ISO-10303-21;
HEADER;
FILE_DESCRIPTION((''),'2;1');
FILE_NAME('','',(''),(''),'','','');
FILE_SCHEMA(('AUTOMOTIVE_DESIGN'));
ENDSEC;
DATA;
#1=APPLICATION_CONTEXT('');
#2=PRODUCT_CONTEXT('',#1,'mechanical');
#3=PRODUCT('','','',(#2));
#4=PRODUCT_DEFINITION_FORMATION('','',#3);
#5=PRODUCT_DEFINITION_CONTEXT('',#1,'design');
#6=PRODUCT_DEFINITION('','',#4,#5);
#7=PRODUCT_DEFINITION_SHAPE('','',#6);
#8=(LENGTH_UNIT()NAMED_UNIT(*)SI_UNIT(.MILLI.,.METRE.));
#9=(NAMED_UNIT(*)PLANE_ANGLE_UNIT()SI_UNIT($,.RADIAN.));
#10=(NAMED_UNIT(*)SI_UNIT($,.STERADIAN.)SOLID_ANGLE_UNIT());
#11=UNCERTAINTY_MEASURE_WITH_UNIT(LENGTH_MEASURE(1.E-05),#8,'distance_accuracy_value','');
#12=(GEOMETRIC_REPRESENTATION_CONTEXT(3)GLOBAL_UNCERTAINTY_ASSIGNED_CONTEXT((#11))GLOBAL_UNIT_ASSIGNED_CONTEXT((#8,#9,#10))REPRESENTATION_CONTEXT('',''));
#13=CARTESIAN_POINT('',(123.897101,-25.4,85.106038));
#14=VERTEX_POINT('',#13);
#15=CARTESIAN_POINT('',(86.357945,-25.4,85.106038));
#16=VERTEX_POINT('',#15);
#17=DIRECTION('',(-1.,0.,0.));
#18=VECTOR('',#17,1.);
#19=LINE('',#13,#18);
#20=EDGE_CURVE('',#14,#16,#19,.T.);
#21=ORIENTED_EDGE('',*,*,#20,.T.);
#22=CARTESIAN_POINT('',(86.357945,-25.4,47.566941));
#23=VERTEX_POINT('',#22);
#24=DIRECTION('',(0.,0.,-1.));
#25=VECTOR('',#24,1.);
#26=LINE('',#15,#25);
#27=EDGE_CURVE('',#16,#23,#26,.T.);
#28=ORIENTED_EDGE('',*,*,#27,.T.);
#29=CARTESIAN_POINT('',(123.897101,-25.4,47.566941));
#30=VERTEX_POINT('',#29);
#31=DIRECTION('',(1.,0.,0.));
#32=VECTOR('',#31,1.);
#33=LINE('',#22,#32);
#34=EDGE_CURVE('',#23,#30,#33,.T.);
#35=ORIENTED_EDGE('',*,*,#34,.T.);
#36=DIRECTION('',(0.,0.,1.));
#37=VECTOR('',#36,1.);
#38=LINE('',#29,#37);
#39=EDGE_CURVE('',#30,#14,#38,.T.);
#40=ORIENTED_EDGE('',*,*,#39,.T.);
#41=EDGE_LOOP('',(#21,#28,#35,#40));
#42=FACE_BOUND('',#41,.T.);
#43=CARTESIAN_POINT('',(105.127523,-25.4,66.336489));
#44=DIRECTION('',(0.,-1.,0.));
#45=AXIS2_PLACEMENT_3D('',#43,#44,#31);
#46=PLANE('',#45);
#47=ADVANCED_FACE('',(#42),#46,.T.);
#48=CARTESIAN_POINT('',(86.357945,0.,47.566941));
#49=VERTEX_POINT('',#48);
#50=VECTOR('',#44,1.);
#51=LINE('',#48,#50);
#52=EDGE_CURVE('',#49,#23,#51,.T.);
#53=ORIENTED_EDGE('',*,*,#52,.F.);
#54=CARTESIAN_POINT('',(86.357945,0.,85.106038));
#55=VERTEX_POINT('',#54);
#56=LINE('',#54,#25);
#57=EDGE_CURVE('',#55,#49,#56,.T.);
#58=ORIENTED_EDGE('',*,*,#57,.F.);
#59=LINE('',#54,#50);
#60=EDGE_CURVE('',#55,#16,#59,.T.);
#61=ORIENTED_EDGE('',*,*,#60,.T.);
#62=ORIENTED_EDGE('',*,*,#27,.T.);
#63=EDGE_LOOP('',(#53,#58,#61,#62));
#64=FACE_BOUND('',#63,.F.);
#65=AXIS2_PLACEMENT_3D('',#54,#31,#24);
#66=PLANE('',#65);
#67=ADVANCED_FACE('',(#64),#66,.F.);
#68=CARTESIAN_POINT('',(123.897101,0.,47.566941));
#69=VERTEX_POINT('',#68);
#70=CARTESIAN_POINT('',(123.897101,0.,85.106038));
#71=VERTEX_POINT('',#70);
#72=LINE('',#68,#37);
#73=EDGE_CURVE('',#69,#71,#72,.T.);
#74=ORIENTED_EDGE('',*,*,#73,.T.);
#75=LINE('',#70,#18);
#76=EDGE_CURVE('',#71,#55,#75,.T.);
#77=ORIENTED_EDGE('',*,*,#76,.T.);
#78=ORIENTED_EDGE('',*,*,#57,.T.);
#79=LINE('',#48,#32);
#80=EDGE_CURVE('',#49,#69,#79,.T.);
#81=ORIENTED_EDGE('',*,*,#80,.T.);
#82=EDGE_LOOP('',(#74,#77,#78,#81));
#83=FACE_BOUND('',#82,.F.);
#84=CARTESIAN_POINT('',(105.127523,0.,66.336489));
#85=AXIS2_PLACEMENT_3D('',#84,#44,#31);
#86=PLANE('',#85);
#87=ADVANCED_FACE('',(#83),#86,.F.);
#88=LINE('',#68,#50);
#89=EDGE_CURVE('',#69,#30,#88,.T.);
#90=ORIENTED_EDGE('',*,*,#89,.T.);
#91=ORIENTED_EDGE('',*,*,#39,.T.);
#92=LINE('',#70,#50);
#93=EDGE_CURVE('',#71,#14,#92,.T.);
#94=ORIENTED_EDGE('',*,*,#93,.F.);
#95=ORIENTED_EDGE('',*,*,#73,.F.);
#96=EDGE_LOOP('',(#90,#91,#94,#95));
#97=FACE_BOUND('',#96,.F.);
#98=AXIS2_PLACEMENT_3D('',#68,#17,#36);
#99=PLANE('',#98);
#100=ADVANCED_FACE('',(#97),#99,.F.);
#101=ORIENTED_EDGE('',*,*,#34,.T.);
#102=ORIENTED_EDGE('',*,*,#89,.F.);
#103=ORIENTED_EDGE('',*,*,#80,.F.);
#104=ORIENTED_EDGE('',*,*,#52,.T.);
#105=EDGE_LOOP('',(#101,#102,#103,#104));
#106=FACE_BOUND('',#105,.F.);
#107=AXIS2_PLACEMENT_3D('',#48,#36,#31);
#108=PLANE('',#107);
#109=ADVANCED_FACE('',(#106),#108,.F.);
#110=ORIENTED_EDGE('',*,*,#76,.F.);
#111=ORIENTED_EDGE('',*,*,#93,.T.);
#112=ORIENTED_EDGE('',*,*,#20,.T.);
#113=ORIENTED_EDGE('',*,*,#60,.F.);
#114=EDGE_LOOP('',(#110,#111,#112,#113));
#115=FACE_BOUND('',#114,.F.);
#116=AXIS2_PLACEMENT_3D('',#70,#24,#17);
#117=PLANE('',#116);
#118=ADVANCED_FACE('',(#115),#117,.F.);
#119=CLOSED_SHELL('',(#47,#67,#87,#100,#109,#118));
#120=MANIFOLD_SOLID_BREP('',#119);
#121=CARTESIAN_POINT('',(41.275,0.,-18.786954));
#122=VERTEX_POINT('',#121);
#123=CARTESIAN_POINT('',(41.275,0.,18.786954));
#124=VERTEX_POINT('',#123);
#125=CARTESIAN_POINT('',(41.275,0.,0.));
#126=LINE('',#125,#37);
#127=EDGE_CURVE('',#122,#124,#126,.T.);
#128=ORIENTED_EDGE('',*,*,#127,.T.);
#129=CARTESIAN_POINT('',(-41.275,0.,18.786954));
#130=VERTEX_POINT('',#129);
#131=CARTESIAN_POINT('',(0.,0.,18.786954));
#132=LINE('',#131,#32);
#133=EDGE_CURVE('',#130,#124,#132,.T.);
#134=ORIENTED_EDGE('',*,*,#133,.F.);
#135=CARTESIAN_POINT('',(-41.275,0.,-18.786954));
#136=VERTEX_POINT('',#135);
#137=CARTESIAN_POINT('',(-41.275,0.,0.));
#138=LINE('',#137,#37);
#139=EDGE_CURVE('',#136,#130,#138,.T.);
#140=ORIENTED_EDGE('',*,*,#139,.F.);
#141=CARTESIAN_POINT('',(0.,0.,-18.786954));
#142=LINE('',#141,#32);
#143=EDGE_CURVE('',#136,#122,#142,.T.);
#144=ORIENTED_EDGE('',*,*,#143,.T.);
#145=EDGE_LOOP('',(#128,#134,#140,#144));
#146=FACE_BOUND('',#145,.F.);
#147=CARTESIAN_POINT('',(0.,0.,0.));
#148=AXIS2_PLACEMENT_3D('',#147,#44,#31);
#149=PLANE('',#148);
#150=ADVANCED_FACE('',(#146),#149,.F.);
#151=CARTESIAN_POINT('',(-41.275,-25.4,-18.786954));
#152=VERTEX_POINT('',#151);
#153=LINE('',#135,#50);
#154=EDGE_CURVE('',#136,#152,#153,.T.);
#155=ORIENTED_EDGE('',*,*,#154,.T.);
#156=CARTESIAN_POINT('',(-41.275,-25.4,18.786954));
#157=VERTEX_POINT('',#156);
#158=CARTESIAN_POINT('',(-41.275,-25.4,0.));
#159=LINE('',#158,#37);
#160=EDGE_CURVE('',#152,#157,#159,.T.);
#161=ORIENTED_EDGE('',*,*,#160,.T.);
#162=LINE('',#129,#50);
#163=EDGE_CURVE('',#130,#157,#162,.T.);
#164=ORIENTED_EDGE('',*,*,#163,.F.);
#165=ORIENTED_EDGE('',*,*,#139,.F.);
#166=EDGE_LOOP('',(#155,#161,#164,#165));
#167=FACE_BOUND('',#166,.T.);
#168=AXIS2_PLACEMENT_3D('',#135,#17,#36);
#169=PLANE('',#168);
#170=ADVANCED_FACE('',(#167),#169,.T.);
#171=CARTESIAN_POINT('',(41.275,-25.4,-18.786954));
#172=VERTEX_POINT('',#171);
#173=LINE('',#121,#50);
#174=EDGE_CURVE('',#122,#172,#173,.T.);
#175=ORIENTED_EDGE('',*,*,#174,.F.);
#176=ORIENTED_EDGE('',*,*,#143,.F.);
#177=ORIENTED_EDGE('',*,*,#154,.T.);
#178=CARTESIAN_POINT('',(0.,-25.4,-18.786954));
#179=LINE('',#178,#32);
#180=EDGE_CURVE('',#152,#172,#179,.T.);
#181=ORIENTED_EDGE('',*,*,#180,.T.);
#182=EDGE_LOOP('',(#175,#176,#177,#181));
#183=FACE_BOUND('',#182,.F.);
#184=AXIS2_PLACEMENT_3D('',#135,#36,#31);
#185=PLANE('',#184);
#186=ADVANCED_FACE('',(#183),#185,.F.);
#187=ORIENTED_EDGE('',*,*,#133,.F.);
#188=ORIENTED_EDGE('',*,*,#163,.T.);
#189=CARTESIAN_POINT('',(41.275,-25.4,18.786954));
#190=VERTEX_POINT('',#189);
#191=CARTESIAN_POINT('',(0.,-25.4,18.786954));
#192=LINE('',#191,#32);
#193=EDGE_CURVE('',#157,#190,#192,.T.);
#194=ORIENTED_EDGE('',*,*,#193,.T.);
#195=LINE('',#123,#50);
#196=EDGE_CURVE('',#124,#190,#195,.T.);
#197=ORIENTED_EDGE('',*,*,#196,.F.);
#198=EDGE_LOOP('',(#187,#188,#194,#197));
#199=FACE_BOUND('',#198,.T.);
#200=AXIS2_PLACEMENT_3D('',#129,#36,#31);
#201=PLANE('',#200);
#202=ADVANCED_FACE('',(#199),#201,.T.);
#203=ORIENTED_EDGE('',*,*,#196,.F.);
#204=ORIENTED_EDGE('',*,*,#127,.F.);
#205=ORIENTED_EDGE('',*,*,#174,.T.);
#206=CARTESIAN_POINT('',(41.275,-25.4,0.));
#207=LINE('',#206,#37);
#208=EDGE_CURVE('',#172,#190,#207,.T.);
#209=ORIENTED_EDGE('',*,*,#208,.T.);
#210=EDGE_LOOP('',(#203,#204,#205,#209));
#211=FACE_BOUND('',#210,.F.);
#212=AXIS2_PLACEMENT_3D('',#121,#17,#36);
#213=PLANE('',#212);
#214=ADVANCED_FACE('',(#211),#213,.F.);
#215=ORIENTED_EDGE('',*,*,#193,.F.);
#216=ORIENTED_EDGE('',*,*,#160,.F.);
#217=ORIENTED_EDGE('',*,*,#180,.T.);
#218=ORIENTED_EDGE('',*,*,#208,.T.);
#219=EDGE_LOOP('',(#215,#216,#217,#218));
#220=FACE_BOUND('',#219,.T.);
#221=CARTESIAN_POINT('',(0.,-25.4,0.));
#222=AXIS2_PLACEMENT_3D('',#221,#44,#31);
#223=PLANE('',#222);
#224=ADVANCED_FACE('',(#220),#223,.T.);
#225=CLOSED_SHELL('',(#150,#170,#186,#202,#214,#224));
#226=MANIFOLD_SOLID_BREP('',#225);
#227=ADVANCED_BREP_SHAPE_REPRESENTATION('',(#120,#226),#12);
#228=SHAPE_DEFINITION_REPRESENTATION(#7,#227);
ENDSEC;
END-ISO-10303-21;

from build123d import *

# Parameters (mm, degrees)
F0_W     = 82.55
F0_H     = 37.573908
F1_DEPTH = 25.4


with BuildPart() as f1:
    # F0 (on Front) → F1 (new body)
    with BuildSketch(Plane.XZ):
        Polygon((86.357945, 85.106038), (86.357945, 56.326063), (86.357945, 47.566941), (123.897101, 47.566941), (123.897101, 85.106038), align=None)
        Rectangle(F0_W, F0_H)
    extrude(amount=F1_DEPTH)


solid = f1.part
